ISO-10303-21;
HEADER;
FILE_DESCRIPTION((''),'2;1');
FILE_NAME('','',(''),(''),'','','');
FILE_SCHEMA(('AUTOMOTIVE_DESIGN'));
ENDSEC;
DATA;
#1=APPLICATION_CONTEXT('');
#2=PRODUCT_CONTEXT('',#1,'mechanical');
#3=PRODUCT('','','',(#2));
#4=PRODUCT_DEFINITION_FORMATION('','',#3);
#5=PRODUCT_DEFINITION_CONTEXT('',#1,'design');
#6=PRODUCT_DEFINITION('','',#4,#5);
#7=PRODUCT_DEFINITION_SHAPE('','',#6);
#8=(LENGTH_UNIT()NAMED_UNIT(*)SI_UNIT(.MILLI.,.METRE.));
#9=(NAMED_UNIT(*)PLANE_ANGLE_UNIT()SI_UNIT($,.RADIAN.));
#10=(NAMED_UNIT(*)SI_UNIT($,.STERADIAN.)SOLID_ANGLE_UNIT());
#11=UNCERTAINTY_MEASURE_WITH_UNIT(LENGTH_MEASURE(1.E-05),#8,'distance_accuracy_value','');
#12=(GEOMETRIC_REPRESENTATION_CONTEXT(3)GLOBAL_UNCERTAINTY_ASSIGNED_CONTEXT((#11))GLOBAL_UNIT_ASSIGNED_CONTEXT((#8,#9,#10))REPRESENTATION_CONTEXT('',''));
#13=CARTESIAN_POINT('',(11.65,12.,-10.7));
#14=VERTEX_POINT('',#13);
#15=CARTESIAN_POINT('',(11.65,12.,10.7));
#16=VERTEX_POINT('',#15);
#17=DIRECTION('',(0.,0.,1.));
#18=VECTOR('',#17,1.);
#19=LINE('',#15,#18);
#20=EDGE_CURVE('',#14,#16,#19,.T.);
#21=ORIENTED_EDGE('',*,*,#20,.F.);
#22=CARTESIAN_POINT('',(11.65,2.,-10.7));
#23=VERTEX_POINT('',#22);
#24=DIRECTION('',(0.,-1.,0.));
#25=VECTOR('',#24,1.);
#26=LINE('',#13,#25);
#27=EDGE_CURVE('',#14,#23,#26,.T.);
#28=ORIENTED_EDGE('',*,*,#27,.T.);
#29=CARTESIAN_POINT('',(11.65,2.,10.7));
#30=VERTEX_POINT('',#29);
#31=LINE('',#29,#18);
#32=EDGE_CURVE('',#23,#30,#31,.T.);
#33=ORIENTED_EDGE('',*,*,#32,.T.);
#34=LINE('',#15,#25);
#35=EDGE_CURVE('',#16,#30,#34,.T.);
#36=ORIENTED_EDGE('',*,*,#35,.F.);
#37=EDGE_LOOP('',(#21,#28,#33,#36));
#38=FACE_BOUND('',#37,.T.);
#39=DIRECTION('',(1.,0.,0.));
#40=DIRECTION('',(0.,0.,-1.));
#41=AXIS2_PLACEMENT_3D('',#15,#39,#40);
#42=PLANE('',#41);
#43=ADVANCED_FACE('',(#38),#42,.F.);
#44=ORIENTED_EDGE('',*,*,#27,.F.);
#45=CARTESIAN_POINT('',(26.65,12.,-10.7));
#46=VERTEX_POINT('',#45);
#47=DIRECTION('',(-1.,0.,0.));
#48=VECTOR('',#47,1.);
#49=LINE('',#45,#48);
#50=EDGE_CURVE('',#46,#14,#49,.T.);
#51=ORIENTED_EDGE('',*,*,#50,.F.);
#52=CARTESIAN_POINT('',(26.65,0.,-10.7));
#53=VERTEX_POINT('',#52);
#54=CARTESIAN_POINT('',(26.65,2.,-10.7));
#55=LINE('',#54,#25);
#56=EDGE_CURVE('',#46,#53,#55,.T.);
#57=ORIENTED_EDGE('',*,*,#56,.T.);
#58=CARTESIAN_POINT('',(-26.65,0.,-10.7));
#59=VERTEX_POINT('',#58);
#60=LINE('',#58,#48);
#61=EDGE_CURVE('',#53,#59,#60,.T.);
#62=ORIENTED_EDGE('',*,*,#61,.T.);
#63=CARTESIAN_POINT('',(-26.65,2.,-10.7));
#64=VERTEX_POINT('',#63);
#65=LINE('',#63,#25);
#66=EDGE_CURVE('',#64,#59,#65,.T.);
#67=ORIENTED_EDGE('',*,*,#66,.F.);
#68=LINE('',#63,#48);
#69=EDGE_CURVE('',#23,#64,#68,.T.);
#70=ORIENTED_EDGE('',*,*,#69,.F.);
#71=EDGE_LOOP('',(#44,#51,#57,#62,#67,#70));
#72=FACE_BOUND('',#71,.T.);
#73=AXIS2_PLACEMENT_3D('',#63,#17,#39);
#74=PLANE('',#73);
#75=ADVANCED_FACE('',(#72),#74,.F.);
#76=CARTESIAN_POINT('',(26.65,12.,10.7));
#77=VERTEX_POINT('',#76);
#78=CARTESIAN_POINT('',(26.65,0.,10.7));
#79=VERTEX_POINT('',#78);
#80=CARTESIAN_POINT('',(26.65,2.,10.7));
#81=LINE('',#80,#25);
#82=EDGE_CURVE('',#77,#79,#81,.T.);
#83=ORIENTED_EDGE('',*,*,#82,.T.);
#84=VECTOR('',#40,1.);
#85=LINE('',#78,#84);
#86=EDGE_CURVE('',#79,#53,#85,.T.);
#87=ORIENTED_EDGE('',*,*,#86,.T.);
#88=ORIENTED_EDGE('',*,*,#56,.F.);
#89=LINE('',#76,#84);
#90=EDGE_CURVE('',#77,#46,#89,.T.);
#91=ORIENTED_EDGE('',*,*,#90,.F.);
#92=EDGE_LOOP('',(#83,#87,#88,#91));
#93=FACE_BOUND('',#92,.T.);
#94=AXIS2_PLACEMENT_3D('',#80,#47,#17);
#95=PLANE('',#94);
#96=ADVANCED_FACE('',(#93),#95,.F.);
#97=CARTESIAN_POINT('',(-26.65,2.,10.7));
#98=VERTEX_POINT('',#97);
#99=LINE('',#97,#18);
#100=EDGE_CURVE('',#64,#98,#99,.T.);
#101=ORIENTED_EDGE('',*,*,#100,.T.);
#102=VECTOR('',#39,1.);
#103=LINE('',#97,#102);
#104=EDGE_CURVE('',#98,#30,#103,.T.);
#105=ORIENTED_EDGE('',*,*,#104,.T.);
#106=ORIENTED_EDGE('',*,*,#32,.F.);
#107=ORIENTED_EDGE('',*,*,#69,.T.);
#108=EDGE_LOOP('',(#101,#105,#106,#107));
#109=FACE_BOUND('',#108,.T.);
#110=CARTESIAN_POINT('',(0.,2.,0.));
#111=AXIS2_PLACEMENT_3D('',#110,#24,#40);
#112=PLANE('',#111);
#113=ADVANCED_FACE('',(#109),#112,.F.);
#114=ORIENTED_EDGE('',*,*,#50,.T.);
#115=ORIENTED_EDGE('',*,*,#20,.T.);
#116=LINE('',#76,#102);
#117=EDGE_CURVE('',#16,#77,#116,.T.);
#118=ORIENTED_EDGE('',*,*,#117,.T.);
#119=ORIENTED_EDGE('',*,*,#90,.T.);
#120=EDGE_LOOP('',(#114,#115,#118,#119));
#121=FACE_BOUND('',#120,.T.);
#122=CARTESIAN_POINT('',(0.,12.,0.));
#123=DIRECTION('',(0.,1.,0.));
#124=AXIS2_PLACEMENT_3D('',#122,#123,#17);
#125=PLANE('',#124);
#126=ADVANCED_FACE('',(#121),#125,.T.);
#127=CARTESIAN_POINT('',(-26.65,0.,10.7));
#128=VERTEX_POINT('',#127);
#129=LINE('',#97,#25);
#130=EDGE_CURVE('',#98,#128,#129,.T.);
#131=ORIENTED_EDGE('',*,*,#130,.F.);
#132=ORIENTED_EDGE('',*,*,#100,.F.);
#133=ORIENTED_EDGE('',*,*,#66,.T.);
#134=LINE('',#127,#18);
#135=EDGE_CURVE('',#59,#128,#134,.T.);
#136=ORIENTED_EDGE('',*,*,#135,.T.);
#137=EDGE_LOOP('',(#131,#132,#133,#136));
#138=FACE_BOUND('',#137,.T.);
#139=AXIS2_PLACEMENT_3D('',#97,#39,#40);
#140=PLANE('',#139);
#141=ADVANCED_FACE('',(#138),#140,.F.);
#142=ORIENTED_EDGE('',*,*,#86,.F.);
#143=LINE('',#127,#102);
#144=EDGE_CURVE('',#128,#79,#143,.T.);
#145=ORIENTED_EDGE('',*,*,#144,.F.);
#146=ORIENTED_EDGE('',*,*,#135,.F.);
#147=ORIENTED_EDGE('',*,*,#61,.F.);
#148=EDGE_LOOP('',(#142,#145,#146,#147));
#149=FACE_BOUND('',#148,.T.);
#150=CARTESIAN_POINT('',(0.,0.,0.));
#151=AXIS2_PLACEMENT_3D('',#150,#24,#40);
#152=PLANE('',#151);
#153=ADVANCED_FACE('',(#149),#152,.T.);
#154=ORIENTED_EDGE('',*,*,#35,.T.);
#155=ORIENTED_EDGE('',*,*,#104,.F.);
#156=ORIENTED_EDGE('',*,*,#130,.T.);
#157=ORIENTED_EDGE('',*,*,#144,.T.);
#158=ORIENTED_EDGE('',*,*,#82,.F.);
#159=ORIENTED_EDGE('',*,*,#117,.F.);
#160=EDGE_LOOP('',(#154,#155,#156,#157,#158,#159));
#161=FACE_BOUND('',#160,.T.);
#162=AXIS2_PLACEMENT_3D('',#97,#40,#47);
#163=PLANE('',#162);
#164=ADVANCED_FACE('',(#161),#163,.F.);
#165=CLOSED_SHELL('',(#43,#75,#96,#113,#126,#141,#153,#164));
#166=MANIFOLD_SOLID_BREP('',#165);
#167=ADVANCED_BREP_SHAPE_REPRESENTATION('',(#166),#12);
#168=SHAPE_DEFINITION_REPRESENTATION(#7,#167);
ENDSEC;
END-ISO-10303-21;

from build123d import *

# Parameters (mm, degrees)
SKETCH1_W           = 53.3
SKETCH1_H           = 21.4
BOSS_EXTRUDE1_DEPTH = 2
SKETCH2_W           = 15
SKETCH2_H           = 21.4
BOSS_EXTRUDE2_DEPTH = 10


with BuildPart() as part:
    # Sketch1 → Boss-Extrude1 (new body)
    with BuildSketch(Plane(origin=(0, 0, 0), x_dir=(1, 0, 0), z_dir=(0, 1, 0))):
        Rectangle(SKETCH1_W, SKETCH1_H)
    extrude(amount=BOSS_EXTRUDE1_DEPTH)

    # Sketch2 → Boss-Extrude2 (add)
    with BuildSketch(Plane(origin=(0, 2, 0), x_dir=(1, 0, 0), z_dir=(0, 1, 0))):
        with Locations((19.15, 0)):
            Rectangle(SKETCH2_W, SKETCH2_H)
    extrude(amount=BOSS_EXTRUDE2_DEPTH)


solid = part.part
